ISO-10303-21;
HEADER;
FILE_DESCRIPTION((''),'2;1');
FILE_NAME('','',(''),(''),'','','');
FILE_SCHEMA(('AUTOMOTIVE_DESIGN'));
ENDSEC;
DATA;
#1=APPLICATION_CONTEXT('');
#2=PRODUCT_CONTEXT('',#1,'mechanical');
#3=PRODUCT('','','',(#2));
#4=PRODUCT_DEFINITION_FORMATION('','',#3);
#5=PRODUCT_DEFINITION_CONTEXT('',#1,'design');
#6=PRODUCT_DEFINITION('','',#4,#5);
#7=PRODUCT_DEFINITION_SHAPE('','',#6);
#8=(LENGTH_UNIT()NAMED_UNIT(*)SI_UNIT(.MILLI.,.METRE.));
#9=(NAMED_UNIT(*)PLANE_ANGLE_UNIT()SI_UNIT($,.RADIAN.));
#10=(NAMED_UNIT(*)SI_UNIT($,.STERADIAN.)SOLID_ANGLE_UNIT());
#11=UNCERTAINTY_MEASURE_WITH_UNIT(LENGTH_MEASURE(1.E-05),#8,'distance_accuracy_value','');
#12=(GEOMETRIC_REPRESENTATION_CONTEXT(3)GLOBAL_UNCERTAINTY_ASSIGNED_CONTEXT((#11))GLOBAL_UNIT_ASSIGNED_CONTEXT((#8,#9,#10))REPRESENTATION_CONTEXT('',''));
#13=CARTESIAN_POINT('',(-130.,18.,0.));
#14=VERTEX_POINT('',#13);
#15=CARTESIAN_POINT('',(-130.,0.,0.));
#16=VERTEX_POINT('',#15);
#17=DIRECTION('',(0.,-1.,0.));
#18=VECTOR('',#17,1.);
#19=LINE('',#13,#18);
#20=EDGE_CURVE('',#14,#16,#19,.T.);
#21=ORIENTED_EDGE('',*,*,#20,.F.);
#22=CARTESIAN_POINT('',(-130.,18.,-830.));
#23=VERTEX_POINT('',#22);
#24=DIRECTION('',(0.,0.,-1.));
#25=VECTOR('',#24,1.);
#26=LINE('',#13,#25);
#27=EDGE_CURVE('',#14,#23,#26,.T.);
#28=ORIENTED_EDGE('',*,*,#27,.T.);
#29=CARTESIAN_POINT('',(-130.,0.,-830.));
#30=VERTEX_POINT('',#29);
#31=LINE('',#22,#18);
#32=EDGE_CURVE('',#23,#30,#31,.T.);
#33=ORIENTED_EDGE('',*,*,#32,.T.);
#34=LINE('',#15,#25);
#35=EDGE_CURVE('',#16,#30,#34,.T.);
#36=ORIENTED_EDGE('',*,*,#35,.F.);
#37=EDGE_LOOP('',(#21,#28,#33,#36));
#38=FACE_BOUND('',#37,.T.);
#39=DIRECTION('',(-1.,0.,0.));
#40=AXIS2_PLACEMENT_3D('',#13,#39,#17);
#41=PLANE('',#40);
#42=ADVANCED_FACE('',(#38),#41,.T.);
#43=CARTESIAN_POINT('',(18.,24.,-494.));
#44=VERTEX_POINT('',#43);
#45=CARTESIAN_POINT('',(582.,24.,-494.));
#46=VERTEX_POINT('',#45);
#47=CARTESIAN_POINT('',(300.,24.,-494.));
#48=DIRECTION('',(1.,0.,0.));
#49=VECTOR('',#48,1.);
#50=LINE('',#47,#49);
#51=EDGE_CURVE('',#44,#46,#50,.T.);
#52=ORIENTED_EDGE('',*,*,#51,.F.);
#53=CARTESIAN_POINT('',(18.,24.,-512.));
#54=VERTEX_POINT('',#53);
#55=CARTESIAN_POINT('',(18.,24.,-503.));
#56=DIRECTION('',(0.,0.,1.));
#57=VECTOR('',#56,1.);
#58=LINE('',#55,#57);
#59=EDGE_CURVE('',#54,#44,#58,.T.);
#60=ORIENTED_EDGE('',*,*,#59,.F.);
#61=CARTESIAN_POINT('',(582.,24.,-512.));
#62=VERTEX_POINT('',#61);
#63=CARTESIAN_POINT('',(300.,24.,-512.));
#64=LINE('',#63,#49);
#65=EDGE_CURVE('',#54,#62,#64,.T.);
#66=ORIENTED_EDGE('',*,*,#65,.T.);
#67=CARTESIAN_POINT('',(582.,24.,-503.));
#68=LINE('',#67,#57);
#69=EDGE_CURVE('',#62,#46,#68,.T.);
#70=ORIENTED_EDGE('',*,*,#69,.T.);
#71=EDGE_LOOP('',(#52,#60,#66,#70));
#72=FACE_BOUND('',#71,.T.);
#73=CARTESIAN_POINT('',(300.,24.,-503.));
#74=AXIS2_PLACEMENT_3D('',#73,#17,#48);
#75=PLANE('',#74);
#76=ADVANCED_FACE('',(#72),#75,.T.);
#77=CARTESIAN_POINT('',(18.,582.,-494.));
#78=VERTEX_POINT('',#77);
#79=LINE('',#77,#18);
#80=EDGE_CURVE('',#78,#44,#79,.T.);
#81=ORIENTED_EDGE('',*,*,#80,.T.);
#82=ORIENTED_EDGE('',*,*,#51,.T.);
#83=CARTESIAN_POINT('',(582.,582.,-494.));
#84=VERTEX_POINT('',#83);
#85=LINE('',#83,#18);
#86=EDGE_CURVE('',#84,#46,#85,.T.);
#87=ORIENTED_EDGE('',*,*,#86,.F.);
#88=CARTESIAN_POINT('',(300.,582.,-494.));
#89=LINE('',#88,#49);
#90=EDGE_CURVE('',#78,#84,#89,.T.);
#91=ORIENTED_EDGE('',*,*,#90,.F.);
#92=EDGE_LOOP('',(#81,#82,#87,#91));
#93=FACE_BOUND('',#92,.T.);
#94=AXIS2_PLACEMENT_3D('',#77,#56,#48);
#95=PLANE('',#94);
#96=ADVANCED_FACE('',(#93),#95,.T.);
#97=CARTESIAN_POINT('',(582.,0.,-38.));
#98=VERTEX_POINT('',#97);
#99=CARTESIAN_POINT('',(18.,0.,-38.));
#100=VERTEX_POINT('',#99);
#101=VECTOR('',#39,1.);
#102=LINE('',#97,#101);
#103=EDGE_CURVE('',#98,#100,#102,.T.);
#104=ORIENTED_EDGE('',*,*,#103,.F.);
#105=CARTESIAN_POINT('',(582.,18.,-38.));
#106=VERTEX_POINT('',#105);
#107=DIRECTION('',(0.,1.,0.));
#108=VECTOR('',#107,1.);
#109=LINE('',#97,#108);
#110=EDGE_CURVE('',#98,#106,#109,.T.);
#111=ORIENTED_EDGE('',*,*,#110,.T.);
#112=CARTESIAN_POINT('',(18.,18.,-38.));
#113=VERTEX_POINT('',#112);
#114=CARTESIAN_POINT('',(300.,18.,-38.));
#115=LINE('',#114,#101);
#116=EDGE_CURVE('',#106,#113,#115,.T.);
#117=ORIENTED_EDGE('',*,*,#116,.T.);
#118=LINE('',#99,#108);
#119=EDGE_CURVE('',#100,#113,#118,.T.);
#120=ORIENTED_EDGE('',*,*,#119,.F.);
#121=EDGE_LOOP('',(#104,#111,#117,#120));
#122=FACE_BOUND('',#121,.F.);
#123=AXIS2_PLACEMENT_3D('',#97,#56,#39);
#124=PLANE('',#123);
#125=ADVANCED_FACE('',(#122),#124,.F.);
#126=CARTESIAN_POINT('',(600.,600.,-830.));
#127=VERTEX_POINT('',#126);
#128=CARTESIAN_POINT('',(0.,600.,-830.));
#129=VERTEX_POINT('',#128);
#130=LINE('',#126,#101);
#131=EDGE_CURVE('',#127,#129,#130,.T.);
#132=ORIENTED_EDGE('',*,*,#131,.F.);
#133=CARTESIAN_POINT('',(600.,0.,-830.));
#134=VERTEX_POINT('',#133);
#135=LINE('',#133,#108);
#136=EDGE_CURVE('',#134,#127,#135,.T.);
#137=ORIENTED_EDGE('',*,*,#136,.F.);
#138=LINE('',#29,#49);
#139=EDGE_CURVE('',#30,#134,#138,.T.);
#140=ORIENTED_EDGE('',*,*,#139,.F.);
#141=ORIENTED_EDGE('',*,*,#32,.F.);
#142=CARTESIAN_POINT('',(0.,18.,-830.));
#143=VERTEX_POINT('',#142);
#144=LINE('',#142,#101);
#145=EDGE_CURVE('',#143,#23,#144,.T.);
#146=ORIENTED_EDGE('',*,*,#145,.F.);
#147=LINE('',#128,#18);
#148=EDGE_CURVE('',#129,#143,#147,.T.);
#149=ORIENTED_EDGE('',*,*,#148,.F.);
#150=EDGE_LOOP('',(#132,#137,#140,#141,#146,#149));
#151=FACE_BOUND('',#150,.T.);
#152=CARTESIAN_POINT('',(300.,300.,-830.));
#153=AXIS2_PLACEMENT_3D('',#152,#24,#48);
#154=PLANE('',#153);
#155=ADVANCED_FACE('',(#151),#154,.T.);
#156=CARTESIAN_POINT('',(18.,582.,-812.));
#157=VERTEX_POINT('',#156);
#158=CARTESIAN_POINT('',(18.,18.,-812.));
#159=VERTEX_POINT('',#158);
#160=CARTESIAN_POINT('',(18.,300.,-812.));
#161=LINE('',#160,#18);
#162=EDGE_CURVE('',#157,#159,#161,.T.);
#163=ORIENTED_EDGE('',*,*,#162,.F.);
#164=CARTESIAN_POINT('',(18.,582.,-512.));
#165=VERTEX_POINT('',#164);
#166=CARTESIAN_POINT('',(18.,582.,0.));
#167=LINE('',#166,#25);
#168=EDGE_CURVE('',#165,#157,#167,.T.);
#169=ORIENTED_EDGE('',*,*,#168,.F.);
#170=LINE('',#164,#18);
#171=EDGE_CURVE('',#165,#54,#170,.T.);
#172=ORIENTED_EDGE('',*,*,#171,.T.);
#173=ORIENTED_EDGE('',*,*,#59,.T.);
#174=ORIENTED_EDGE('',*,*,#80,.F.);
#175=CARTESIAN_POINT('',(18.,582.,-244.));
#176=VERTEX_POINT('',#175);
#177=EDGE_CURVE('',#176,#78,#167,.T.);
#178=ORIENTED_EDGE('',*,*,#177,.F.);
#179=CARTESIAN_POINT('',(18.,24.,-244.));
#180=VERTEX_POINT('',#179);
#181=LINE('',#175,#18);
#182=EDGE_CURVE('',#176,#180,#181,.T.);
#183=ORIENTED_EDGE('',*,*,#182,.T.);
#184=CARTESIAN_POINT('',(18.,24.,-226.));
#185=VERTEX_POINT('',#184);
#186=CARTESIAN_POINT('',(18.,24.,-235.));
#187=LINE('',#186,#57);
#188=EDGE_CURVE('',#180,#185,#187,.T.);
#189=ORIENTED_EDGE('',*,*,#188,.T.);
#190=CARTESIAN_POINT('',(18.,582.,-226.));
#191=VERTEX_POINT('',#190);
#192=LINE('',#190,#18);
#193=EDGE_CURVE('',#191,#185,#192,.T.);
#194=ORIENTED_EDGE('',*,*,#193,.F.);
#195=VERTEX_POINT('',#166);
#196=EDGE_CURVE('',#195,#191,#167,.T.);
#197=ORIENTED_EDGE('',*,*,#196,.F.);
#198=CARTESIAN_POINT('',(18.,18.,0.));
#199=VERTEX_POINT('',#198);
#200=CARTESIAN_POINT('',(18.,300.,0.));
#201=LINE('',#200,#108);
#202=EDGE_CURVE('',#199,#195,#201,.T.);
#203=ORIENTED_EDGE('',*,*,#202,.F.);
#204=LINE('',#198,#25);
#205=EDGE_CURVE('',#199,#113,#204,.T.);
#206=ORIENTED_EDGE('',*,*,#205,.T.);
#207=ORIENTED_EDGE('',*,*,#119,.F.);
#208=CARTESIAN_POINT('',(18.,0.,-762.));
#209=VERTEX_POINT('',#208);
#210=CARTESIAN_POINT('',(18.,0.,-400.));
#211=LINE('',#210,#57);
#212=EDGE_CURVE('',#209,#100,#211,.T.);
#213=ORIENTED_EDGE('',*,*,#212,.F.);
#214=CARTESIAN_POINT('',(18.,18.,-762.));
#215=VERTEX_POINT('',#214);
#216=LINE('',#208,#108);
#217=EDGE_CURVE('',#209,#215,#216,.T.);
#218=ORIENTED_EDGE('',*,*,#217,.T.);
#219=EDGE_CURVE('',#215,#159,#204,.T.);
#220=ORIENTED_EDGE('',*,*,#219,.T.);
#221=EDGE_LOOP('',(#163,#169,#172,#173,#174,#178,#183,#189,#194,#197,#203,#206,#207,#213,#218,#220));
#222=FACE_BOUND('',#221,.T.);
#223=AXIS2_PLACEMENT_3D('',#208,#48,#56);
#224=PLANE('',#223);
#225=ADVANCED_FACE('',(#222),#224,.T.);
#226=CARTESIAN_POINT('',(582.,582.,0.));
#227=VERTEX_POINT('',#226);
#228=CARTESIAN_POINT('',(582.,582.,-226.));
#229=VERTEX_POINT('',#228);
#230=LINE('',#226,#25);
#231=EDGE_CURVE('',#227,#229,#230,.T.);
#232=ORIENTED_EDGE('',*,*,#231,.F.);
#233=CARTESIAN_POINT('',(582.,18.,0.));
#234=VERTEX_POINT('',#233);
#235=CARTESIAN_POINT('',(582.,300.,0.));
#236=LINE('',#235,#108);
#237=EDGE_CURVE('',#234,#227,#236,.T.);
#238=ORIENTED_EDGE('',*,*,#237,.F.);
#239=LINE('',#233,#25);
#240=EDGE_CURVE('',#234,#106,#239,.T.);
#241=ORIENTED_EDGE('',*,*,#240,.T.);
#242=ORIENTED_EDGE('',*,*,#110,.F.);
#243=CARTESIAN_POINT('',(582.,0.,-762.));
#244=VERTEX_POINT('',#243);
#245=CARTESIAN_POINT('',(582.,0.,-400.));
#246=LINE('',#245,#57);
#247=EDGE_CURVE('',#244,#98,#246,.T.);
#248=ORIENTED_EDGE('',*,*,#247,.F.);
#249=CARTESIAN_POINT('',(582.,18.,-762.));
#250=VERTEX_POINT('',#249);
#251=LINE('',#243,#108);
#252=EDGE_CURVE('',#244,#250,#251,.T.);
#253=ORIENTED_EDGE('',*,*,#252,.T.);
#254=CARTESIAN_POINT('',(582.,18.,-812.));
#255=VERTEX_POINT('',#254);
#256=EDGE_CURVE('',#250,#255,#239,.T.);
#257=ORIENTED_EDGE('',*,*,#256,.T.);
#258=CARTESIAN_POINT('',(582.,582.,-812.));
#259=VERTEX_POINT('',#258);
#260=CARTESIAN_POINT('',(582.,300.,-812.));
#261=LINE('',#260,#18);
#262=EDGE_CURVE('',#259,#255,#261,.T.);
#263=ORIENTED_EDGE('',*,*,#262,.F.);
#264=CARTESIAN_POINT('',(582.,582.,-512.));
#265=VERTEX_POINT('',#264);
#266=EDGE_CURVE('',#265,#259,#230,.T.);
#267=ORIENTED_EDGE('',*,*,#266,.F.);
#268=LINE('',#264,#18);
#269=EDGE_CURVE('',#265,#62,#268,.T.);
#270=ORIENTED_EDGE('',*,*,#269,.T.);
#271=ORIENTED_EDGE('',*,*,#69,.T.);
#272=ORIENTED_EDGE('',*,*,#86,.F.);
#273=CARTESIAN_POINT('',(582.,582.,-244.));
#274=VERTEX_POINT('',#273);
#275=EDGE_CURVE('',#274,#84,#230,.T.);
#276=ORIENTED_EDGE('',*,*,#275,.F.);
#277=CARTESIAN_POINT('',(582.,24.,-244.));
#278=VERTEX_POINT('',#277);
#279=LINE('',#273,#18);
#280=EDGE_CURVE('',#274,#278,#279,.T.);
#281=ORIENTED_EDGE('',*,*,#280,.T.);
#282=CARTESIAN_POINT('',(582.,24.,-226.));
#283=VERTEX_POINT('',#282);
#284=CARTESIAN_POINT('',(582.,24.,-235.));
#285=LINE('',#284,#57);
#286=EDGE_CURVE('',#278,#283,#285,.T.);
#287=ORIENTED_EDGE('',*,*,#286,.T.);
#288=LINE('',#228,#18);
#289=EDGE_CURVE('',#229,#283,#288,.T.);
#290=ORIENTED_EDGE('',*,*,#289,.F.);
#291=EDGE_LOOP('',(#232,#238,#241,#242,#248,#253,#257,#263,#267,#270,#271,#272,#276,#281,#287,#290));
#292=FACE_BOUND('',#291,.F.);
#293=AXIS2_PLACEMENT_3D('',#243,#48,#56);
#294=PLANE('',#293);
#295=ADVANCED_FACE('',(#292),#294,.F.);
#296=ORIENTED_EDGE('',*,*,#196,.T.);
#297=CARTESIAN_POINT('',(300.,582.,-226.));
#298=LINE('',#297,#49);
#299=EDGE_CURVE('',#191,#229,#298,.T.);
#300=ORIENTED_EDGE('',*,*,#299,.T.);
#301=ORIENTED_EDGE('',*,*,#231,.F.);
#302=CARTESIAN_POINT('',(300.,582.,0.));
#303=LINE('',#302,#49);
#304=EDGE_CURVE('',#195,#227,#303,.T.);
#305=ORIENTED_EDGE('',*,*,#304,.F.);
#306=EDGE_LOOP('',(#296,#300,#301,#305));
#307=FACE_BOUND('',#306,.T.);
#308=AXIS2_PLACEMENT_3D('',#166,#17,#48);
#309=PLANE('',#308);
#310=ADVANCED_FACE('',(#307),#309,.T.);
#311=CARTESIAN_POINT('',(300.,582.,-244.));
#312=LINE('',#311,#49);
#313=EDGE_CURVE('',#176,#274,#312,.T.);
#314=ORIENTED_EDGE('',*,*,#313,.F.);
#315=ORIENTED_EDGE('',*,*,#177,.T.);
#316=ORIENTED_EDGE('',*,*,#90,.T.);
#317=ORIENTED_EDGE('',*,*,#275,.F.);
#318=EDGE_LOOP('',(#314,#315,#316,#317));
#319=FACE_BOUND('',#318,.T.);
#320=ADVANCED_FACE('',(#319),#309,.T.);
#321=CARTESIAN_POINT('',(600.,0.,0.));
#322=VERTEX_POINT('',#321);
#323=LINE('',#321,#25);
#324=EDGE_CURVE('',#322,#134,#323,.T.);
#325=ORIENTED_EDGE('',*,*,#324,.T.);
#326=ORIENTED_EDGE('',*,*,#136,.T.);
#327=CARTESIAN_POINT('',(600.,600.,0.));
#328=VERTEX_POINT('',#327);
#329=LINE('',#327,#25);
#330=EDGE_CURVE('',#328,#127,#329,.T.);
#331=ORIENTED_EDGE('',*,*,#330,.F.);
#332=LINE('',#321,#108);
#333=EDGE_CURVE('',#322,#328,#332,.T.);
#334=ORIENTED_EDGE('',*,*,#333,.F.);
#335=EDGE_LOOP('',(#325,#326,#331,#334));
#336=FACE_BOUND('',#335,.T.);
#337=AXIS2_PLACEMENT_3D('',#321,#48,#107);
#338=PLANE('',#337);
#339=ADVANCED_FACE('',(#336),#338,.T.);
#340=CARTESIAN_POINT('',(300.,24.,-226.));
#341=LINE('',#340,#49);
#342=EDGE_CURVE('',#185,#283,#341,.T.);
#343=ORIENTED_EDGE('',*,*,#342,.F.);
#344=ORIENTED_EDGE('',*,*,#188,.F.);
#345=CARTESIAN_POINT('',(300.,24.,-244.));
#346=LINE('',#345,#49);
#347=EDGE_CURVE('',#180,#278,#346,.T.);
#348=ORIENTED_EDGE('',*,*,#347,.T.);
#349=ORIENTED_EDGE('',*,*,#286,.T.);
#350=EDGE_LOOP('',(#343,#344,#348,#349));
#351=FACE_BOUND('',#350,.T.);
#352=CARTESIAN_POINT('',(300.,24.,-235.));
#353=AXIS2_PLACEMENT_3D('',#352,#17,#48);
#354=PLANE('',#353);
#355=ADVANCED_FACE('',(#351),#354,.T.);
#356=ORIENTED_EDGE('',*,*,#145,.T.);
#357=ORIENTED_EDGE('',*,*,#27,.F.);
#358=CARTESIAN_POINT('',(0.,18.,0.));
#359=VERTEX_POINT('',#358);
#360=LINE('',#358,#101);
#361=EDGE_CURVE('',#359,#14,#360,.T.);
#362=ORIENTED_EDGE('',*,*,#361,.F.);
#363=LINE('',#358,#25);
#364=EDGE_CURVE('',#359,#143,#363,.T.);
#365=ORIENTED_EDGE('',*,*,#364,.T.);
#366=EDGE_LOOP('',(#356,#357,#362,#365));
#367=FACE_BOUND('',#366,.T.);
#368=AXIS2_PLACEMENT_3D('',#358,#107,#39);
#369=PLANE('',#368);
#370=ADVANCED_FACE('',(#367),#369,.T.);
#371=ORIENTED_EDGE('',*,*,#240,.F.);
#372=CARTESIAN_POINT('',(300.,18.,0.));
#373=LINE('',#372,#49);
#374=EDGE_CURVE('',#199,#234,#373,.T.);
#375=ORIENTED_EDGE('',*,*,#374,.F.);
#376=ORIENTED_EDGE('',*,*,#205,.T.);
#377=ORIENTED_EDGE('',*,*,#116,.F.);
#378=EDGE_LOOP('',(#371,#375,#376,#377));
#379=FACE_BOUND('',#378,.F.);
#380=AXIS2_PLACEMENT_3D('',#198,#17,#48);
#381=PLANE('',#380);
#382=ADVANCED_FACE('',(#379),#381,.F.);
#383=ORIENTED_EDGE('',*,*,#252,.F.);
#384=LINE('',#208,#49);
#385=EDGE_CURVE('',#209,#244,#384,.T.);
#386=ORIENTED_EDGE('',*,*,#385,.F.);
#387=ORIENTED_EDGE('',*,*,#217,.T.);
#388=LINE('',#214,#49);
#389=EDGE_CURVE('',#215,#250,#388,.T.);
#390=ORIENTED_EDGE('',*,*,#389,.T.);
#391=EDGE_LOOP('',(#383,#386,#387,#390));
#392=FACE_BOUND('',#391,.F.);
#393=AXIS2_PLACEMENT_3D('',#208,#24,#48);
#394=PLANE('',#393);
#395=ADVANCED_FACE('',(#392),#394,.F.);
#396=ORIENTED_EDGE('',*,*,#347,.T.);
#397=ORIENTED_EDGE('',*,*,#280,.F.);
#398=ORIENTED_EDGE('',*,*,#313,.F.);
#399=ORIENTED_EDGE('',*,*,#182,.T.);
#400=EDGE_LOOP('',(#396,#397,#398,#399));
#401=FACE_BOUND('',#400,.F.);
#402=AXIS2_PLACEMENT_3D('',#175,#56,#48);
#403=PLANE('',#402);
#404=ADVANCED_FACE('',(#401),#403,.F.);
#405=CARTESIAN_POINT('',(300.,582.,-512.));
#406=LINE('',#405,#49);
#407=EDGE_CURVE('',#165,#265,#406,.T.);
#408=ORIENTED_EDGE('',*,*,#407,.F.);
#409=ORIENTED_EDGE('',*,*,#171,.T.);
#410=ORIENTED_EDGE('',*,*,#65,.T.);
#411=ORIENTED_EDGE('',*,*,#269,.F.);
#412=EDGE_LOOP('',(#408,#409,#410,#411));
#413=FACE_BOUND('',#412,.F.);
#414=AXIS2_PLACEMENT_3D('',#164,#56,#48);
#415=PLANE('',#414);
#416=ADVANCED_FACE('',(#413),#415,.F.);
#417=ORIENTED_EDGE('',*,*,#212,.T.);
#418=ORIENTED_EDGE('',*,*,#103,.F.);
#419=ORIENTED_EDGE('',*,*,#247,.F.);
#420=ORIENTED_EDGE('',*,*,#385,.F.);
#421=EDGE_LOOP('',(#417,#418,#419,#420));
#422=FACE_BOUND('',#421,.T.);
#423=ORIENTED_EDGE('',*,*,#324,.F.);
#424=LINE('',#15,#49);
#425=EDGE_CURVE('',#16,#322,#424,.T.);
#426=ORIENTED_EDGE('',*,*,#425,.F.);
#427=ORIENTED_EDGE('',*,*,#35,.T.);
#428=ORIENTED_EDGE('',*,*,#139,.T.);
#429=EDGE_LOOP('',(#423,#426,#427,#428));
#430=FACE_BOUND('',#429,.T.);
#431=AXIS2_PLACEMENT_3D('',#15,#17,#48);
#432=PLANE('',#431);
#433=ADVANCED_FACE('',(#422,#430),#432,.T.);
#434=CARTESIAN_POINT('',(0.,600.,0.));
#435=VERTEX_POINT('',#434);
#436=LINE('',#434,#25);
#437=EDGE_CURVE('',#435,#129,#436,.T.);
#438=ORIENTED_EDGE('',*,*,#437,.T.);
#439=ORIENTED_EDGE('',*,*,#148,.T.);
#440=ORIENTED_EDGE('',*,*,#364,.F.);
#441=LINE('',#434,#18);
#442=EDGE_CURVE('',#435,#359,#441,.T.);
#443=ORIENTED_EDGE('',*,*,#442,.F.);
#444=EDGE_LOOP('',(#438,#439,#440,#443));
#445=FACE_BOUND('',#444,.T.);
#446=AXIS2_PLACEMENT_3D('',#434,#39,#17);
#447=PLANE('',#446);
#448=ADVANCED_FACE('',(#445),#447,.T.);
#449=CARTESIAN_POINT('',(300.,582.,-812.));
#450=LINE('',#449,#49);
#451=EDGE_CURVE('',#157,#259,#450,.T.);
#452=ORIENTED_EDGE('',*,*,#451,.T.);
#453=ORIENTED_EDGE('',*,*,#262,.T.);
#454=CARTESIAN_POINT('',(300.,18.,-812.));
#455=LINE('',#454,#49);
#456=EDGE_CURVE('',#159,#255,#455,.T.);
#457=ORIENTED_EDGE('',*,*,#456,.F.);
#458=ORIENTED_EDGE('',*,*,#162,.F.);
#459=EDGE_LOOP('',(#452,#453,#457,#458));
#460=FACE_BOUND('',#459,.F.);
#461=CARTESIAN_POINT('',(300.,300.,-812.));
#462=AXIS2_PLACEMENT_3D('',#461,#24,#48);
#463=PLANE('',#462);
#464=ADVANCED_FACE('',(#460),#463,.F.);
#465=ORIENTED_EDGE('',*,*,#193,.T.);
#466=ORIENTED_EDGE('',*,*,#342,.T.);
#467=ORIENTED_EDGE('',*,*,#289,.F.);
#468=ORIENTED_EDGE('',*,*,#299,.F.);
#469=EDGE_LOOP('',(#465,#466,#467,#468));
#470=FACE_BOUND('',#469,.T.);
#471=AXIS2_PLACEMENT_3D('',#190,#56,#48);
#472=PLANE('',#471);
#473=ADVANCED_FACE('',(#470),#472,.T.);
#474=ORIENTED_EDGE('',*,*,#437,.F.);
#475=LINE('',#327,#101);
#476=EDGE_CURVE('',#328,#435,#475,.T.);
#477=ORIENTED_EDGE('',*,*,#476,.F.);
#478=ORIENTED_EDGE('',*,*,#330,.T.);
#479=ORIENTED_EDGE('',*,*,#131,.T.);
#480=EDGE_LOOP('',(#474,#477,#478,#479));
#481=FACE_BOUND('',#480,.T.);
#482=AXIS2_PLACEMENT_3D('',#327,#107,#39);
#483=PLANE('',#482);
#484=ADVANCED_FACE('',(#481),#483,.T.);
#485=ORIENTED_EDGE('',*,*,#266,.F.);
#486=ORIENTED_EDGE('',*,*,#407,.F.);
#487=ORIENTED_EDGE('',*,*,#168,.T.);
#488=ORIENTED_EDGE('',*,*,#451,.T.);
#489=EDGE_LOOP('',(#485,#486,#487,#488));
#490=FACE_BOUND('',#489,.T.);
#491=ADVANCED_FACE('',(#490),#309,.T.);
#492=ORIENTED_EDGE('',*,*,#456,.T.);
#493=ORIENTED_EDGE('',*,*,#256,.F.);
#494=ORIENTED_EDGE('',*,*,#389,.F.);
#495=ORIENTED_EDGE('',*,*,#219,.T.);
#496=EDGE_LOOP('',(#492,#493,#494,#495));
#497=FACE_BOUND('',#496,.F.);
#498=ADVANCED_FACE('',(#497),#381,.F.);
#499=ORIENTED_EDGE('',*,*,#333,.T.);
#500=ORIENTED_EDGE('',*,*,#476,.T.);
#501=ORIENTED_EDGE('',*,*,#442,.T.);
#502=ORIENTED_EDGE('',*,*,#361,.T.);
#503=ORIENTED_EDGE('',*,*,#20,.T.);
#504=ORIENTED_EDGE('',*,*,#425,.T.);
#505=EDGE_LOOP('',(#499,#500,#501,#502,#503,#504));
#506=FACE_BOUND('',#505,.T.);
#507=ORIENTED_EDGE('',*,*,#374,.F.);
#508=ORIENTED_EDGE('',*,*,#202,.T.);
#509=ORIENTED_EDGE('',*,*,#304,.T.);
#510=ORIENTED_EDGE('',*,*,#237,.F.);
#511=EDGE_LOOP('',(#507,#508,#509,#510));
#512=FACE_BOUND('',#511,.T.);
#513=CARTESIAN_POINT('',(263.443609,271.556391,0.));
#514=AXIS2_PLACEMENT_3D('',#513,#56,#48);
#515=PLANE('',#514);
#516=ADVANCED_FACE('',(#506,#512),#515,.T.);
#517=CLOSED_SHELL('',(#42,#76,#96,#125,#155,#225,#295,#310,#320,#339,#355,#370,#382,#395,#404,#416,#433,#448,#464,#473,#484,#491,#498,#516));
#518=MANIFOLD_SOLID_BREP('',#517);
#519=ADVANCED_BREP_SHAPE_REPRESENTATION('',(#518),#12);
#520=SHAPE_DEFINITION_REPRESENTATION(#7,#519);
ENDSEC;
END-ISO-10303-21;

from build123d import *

# Parameters (mm, degrees)
F0_W     = 564
F0_H     = 564
F1_DEPTH = 830
F2_W     = 282
F2_H     = 724
F3_DEPTH = 244
F4_W     = 564
F4_H     = 564
F5_DEPTH = 18
F6_W     = 564
F6_H     = 18
F7_DEPTH = 558


with BuildPart() as f1:
    # F0 (on Top) → F1 (new body)
    with BuildSketch(Plane.XY):
        Polygon((-130, 0), (0, 0), (600, 0), (600, 600), (0, 600), (0, 18), (-130, 18), align=None)
        with Locations((300, 300)):
            Rectangle(F0_W, F0_H, mode=Mode.SUBTRACT)
    extrude(amount=-F1_DEPTH)

    # F2 (on face) → F3 (cut)
    with BuildSketch(Plane.XZ):
        with Locations((159, -400)):
            Rectangle(F2_W, F2_H)
        with Locations((441, -400)):
            Rectangle(F2_W, F2_H)
    extrude(amount=-F3_DEPTH, mode=Mode.SUBTRACT)

    # F4 (on face) → F5 (join)
    with BuildSketch(Plane(origin=(0, 0, -830), x_dir=(1, 0, 0), z_dir=(0, 0, -1))):
        with Locations((300, -300)):
            Rectangle(F4_W, F4_H)
    extrude(amount=-F5_DEPTH)

    # F6 (on face) → F7 (join)
    with BuildSketch(Plane.XZ.offset(-582)):
        with Locations((300, -235)):
            Rectangle(F6_W, F6_H)
        with Locations((300, -503)):
            Rectangle(F6_W, F6_H)
    extrude(amount=F7_DEPTH)


solid = f1.part
